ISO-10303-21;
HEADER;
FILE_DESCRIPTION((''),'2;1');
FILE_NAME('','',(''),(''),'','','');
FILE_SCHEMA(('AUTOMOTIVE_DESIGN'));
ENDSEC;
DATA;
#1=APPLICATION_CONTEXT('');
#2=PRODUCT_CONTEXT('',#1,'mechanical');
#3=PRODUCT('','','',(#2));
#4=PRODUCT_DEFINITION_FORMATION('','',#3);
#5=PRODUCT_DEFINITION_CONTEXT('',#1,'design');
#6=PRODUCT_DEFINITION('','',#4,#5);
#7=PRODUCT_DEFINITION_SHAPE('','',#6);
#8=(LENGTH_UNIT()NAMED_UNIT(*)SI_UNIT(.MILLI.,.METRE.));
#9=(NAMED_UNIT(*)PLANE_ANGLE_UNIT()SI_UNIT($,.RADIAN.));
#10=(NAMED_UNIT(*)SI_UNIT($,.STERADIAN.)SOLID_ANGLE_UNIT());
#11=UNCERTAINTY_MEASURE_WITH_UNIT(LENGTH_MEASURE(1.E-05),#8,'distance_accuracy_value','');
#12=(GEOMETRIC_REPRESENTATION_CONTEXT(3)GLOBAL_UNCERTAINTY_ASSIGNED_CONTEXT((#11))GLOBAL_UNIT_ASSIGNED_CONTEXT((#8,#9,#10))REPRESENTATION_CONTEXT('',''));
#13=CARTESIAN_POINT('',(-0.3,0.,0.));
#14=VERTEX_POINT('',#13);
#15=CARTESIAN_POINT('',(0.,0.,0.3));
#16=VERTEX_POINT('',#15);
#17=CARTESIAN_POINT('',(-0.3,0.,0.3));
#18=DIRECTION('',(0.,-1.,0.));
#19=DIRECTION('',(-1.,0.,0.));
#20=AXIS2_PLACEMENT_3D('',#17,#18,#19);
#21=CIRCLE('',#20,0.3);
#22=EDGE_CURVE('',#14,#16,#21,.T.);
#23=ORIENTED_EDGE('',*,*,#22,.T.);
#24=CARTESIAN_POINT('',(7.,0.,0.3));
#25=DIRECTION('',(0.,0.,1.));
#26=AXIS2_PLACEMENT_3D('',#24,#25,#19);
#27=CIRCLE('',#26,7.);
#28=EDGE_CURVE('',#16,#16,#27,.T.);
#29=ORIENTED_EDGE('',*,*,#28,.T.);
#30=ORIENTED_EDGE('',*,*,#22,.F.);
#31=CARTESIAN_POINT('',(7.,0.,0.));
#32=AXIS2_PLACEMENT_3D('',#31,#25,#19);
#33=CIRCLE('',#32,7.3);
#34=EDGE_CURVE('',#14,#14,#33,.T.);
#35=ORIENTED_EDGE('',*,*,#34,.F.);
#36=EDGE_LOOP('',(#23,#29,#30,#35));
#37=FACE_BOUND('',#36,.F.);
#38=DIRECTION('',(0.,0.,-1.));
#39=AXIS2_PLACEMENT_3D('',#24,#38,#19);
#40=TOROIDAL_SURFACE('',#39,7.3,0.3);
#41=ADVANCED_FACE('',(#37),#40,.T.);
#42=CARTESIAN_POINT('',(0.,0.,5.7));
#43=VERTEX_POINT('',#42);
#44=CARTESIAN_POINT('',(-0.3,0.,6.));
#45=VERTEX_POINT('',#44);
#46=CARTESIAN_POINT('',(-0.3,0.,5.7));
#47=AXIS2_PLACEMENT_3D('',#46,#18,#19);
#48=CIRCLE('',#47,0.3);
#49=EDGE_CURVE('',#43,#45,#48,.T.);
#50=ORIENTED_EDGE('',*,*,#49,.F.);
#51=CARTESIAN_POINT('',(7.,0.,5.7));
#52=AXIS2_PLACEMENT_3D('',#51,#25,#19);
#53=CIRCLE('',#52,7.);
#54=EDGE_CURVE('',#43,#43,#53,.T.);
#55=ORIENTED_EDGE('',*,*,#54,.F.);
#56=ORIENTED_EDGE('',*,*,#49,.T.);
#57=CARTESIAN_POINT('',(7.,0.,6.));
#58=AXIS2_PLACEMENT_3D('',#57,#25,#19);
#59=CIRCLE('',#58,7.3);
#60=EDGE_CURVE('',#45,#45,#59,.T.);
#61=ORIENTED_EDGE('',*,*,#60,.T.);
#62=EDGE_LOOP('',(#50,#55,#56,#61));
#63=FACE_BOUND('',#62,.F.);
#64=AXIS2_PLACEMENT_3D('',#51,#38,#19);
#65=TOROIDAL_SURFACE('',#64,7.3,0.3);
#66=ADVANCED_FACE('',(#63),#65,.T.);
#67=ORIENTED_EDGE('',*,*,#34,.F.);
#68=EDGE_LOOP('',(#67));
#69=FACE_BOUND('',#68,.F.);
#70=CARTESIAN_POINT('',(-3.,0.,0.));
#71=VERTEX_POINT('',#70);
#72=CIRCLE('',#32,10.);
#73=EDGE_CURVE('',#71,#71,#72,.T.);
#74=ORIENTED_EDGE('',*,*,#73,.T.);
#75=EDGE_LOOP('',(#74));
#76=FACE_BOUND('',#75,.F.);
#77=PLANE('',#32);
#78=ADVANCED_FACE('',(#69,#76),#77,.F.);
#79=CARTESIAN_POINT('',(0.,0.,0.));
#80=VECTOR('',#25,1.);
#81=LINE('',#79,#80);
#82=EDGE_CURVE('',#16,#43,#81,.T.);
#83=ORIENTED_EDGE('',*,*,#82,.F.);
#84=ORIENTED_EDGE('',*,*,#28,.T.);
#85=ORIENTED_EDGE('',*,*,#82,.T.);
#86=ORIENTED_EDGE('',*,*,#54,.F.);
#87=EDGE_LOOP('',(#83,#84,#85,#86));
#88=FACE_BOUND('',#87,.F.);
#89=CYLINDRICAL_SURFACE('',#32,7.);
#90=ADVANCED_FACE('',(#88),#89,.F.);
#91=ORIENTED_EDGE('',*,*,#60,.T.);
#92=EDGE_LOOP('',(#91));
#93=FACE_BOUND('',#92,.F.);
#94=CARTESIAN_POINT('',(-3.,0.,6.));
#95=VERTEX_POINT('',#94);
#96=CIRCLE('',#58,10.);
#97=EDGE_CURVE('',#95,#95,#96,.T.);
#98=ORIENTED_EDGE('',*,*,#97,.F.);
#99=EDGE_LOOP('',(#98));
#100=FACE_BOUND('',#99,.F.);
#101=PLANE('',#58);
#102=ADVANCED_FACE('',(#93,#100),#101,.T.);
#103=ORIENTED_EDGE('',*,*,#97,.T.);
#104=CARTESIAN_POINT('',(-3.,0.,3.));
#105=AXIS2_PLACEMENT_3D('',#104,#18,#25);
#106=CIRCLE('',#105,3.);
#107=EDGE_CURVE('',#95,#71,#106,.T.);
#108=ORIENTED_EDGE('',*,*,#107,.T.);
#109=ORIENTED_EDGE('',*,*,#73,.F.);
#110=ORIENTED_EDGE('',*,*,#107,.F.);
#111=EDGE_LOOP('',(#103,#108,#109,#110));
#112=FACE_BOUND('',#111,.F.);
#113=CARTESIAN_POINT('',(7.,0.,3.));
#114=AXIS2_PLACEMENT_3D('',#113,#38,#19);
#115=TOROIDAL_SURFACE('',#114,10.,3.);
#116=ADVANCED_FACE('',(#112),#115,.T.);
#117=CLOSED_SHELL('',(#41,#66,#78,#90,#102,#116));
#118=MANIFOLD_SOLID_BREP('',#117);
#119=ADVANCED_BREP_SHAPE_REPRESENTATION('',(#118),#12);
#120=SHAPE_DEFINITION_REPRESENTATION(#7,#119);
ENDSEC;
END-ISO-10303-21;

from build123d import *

# Parameters (mm, degrees)
F2_R = 0.3


with BuildPart() as f1:
    # F0 (on Front) → F1 (revolve)
    with BuildSketch(Plane.XZ):
        with BuildLine():
            Line((-3, 0), (0, 0))
            Line((0, 0), (0, 6))
            Line((0, 6), (-3, 6))
            ThreePointArc((-3, 6), (-6, 3), (-3, 0))
        make_face()
    revolve(axis=Axis((7, 0, 3.808794776), (0, 0, 1)))

    # F2
    f2_edges = [f1.edges().sort_by_distance(p)[0] for p in [
        (14, 0, 6),
        (14, 0, 0),
        (17, 0, 6),
        (17, 0, 0),
    ]]
    fillet(f2_edges, radius=F2_R)


solid = f1.part
